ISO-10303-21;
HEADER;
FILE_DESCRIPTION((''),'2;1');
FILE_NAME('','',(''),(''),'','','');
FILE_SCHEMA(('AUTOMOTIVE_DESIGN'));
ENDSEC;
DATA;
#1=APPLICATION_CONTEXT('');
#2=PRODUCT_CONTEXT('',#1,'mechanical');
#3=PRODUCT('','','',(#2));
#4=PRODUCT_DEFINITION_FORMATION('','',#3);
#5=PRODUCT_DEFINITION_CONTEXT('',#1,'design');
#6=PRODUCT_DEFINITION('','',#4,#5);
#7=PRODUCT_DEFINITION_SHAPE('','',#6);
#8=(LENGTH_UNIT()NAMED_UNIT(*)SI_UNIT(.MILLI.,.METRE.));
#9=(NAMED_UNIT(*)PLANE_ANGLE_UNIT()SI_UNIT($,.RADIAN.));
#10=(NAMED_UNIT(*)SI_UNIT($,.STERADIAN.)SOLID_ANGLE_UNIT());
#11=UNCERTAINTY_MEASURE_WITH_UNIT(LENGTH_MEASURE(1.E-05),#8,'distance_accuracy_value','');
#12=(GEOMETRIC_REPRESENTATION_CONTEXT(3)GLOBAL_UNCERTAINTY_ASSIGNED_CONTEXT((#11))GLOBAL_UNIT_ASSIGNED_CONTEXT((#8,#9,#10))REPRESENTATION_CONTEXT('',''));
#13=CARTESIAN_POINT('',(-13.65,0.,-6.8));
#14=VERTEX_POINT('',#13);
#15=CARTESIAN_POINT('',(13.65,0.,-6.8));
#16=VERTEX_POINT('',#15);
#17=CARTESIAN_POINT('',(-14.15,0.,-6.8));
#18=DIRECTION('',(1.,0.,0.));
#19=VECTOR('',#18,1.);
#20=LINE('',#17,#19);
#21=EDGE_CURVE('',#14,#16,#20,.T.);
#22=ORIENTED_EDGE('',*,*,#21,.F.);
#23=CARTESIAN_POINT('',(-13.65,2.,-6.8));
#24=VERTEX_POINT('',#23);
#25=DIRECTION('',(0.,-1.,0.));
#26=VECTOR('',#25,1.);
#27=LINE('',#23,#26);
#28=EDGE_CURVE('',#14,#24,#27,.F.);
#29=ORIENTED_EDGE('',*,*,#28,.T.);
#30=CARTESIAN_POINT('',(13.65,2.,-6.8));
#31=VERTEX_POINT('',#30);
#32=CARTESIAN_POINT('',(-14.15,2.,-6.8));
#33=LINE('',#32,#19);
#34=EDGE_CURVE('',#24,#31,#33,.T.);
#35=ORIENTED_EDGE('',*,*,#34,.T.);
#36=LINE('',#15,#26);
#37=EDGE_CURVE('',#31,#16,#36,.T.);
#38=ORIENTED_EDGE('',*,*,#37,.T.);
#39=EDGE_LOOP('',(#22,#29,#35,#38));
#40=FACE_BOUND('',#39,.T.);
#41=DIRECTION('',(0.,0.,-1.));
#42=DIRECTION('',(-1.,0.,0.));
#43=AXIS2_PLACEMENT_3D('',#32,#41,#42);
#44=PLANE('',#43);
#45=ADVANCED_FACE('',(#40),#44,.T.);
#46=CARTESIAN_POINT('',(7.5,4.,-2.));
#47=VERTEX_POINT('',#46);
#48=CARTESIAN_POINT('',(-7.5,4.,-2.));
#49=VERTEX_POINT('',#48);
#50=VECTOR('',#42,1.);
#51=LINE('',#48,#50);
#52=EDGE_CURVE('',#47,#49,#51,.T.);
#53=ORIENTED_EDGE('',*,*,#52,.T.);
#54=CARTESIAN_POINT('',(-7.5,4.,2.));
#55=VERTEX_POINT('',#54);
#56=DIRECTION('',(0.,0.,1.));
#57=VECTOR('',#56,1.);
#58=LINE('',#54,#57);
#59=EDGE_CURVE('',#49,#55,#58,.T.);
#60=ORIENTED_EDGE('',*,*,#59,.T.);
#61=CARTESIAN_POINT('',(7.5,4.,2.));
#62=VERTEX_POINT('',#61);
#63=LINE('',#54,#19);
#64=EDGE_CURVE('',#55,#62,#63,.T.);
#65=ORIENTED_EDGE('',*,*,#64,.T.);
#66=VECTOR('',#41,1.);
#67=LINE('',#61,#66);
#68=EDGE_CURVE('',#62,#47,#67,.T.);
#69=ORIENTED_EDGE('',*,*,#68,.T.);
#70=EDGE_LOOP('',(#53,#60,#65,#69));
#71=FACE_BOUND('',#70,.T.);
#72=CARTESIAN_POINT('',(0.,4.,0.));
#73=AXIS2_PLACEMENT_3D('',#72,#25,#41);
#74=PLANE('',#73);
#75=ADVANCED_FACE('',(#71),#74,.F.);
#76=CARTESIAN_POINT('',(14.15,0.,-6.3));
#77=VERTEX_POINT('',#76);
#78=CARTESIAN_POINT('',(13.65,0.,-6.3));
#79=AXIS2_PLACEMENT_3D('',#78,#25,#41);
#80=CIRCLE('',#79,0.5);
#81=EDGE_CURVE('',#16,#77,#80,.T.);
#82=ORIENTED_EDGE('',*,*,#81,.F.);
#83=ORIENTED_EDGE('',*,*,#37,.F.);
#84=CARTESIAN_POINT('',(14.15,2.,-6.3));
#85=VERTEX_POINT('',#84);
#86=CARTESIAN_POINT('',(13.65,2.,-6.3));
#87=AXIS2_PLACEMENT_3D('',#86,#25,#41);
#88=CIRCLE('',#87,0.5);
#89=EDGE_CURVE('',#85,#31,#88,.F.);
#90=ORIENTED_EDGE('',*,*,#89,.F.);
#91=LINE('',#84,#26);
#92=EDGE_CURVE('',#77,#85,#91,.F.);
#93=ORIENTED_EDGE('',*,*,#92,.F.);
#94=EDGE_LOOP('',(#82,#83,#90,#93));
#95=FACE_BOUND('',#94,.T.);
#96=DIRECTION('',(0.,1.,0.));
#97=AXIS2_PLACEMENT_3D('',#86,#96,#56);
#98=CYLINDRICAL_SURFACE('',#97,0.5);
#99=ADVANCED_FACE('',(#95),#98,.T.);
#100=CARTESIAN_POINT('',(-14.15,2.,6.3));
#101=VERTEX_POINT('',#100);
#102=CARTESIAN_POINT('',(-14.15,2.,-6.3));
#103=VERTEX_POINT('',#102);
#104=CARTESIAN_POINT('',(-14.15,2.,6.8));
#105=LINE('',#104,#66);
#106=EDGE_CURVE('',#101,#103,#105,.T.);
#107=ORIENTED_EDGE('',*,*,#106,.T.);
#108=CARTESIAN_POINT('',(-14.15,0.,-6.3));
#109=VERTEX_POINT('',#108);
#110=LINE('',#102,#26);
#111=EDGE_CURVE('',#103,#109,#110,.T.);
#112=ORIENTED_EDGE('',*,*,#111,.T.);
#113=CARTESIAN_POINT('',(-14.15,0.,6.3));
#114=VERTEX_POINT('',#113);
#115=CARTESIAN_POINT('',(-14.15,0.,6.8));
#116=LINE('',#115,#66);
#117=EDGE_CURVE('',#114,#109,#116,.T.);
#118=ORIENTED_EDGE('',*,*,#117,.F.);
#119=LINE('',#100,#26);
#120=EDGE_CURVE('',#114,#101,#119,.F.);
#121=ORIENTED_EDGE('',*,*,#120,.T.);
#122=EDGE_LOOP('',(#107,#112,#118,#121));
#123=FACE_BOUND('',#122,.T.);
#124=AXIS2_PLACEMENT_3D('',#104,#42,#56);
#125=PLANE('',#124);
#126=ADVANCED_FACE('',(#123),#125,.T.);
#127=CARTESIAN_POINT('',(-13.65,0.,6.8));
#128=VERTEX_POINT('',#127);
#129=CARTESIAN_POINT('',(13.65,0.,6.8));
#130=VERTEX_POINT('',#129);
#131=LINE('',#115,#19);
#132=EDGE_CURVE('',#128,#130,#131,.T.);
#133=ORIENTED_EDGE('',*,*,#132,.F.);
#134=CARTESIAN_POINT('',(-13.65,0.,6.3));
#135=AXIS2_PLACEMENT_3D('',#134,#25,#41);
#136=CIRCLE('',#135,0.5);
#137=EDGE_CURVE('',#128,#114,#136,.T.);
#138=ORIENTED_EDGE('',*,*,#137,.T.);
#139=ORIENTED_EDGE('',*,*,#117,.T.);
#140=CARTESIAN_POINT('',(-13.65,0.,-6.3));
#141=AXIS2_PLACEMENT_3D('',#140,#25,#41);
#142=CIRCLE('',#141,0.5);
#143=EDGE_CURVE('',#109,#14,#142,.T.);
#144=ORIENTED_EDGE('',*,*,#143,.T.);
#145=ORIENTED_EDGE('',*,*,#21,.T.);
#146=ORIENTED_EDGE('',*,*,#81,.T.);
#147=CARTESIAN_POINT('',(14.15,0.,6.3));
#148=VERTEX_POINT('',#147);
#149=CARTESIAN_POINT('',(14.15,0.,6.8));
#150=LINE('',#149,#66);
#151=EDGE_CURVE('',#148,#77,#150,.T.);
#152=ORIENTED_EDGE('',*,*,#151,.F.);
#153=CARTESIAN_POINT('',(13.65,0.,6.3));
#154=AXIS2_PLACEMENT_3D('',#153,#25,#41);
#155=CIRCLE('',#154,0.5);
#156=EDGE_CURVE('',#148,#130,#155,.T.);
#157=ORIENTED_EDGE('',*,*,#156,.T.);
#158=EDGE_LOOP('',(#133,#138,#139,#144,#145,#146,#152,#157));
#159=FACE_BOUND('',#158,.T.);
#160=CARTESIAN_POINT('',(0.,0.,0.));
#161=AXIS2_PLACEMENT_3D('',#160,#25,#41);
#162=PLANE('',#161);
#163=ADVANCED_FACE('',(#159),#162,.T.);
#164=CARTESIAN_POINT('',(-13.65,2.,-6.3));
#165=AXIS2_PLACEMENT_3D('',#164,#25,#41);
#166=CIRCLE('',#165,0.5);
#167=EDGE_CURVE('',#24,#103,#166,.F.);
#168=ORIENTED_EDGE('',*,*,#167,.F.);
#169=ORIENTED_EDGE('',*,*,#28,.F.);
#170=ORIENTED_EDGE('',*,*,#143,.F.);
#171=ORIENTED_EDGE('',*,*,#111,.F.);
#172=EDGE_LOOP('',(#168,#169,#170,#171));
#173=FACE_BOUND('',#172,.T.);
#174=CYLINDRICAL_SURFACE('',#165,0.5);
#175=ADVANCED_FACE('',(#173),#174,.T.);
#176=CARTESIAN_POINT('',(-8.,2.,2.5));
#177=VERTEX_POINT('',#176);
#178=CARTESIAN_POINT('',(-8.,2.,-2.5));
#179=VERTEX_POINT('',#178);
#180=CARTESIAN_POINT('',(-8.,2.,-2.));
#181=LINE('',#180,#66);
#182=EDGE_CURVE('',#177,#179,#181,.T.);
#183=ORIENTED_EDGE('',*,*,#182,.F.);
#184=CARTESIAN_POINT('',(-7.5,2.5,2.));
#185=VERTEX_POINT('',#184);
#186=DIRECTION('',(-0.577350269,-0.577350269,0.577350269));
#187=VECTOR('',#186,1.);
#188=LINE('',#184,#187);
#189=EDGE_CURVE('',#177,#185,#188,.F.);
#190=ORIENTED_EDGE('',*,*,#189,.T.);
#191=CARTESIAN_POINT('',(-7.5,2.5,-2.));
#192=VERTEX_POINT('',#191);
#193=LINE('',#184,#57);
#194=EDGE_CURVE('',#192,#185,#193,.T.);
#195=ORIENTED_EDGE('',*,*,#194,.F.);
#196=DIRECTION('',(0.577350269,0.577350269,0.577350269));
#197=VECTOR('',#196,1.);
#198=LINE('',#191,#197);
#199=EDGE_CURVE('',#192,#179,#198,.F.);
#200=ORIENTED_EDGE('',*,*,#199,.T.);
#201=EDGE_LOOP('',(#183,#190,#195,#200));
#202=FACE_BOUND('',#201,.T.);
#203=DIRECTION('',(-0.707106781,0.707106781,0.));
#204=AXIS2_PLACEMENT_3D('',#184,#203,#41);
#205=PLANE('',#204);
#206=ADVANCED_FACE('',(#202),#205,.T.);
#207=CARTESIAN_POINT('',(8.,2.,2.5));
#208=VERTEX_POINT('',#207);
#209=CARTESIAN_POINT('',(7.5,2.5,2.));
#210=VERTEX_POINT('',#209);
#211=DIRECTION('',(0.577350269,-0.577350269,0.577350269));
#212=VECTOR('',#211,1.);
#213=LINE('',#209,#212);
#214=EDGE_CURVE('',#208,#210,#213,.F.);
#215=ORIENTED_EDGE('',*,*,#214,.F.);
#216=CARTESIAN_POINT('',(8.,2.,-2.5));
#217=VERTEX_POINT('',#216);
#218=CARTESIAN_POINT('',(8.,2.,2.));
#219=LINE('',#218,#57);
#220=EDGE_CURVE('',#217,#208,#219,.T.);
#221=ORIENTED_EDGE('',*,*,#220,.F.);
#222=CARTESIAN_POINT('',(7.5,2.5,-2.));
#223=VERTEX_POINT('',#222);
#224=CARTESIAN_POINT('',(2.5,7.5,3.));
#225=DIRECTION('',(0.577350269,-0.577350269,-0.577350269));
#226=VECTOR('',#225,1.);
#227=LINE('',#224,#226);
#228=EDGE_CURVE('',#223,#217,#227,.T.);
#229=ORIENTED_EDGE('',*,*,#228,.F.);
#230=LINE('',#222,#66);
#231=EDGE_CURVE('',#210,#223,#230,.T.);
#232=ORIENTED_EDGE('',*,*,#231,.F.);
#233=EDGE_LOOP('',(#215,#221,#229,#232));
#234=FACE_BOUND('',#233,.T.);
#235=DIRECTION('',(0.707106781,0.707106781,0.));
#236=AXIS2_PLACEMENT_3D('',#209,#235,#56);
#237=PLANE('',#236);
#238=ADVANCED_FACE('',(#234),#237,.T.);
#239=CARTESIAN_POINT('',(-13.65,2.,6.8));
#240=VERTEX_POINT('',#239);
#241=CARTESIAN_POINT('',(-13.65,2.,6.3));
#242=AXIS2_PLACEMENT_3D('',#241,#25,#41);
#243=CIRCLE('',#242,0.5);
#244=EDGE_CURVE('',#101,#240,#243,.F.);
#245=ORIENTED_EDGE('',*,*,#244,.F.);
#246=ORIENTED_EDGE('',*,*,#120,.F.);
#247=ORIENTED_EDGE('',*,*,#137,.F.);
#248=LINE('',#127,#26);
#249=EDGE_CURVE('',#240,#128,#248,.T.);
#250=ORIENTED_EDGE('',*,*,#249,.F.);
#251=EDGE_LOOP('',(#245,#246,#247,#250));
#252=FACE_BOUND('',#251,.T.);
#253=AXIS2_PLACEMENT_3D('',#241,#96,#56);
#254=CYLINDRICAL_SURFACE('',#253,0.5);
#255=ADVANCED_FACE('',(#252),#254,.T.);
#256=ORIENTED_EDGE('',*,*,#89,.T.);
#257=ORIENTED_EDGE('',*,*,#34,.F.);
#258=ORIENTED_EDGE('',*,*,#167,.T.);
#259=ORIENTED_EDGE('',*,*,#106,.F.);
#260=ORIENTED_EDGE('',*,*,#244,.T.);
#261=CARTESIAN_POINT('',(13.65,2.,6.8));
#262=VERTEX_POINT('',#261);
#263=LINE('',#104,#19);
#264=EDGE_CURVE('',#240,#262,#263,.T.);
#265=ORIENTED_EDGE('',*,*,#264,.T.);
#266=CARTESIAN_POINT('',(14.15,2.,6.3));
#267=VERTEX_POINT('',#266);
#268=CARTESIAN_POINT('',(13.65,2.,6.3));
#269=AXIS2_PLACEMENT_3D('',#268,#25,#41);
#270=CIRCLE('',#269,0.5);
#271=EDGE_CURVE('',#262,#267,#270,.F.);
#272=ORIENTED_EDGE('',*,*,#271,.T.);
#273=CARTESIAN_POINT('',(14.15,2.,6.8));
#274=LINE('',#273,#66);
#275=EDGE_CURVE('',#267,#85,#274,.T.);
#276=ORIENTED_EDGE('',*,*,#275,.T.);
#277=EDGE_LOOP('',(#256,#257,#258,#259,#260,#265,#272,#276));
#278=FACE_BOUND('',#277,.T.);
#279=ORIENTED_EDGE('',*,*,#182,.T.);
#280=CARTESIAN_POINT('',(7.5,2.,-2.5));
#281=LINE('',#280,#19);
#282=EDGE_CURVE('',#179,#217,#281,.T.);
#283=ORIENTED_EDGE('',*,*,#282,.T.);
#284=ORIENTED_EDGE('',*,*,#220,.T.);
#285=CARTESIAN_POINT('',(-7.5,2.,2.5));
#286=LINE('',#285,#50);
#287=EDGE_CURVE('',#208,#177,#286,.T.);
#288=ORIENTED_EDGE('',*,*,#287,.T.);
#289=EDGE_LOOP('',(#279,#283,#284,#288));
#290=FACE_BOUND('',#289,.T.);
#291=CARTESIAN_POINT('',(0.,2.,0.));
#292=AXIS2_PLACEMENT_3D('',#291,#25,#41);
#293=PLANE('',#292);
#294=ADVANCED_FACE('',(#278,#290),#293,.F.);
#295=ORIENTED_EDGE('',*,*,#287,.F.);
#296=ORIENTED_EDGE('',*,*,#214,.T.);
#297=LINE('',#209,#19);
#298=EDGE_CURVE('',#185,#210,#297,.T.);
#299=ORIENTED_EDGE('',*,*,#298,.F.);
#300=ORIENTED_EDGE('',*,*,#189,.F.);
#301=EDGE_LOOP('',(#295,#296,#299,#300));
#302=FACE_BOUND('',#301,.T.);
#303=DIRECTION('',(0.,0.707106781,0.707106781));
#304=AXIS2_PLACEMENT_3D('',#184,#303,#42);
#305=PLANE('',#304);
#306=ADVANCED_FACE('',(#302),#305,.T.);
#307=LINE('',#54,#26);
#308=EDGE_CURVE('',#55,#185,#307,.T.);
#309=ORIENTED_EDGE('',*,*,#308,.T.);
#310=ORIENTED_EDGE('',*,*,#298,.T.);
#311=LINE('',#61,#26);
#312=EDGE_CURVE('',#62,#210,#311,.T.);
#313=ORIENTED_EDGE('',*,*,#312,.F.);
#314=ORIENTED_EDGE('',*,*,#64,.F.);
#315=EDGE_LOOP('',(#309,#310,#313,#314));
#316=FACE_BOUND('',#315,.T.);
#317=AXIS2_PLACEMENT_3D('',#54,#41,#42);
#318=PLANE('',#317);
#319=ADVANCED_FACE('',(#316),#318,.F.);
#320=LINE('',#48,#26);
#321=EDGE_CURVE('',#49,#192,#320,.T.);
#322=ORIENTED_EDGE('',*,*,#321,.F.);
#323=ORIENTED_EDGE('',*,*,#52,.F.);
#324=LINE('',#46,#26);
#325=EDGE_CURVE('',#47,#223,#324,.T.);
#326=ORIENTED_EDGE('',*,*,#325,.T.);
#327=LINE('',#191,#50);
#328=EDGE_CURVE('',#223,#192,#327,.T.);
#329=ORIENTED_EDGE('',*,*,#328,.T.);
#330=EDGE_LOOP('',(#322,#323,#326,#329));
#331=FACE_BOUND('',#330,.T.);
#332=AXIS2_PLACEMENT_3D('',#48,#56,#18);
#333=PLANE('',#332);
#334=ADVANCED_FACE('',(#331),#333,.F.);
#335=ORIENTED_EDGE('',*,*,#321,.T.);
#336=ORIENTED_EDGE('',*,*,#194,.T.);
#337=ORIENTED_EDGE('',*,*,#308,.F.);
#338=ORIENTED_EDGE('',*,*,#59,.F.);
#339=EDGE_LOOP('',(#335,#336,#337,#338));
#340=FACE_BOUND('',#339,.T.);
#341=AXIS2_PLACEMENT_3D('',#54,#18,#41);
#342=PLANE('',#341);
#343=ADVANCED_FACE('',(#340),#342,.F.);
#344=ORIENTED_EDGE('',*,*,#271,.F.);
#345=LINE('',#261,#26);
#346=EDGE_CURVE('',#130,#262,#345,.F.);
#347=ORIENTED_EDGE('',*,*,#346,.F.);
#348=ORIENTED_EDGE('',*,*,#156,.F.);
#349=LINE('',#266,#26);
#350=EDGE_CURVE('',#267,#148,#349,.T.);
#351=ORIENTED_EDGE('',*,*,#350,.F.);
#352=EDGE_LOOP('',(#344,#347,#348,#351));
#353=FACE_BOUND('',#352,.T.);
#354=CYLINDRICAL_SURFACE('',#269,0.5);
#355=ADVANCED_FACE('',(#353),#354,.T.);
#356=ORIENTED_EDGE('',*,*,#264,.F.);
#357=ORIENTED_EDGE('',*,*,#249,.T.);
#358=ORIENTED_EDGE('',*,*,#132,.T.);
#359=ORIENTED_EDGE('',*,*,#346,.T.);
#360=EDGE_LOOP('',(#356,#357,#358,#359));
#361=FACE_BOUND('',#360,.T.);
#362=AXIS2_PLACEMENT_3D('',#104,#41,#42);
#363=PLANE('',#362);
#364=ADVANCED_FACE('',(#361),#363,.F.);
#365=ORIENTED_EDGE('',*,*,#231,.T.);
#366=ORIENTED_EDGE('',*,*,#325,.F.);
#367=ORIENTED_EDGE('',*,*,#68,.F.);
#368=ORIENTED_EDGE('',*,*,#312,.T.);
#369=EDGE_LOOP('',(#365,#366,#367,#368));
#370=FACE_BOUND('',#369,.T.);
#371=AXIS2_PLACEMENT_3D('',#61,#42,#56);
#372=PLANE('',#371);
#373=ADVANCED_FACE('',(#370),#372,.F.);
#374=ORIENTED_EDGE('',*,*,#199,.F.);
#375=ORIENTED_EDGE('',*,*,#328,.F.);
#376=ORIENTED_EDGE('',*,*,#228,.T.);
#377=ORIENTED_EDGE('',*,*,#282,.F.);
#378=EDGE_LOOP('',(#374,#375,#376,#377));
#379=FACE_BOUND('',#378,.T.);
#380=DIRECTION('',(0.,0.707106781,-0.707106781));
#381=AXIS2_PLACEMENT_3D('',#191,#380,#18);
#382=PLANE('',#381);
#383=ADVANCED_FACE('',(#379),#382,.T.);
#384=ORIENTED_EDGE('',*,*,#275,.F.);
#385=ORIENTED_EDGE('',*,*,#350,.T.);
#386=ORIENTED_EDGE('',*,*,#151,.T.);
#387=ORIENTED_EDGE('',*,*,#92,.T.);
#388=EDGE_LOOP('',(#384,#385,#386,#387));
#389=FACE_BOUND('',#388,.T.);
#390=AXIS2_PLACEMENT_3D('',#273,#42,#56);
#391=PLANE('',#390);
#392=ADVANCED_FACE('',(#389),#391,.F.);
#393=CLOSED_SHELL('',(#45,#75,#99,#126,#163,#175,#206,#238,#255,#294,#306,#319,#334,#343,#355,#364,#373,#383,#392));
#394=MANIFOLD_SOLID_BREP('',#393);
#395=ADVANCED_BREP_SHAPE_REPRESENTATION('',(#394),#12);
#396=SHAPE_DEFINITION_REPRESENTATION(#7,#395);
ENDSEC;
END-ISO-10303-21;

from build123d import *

# Parameters (mm, degrees)
SKETCH1_W           = 28.3
SKETCH1_H           = 13.6
BOSS_EXTRUDE1_DEPTH = 2
FILLET1_R           = 0.5
SKETCH2_W           = 15
SKETCH2_H           = 4
BOSS_EXTRUDE2_DEPTH = 2
CHAMFER1_SIZE       = 0.5


with BuildPart() as part:
    # Sketch1 → Boss-Extrude1 (new body)
    with BuildSketch(Plane(origin=(0, 0, 0), x_dir=(1, 0, 0), z_dir=(0, 1, 0))):
        Rectangle(SKETCH1_W, SKETCH1_H)
    extrude(amount=BOSS_EXTRUDE1_DEPTH)

    # Fillet1
    fillet1_edges = [part.edges().sort_by_distance(p)[0] for p in [
        (-14.15, 1, 6.8),
        (14.15, 1, 6.8),
        (14.15, 1, -6.8),
        (-14.15, 1, -6.8),
    ]]
    fillet(fillet1_edges, radius=FILLET1_R)

    # Sketch2 → Boss-Extrude2 (add)
    with BuildSketch(Plane(origin=(0, 2, 0), x_dir=(1, 0, 0), z_dir=(0, 1, 0))):
        Rectangle(SKETCH2_W, SKETCH2_H)
    extrude(amount=BOSS_EXTRUDE2_DEPTH)

    # Chamfer1
    chamfer1_edges = [part.edges().sort_by_distance(p)[0] for p in [
        (7.5, 2, 0),
        (0, 2, -2),
        (-7.5, 2, 0),
        (0, 2, 2),
    ]]
    chamfer(chamfer1_edges, length=CHAMFER1_SIZE)


solid = part.part
